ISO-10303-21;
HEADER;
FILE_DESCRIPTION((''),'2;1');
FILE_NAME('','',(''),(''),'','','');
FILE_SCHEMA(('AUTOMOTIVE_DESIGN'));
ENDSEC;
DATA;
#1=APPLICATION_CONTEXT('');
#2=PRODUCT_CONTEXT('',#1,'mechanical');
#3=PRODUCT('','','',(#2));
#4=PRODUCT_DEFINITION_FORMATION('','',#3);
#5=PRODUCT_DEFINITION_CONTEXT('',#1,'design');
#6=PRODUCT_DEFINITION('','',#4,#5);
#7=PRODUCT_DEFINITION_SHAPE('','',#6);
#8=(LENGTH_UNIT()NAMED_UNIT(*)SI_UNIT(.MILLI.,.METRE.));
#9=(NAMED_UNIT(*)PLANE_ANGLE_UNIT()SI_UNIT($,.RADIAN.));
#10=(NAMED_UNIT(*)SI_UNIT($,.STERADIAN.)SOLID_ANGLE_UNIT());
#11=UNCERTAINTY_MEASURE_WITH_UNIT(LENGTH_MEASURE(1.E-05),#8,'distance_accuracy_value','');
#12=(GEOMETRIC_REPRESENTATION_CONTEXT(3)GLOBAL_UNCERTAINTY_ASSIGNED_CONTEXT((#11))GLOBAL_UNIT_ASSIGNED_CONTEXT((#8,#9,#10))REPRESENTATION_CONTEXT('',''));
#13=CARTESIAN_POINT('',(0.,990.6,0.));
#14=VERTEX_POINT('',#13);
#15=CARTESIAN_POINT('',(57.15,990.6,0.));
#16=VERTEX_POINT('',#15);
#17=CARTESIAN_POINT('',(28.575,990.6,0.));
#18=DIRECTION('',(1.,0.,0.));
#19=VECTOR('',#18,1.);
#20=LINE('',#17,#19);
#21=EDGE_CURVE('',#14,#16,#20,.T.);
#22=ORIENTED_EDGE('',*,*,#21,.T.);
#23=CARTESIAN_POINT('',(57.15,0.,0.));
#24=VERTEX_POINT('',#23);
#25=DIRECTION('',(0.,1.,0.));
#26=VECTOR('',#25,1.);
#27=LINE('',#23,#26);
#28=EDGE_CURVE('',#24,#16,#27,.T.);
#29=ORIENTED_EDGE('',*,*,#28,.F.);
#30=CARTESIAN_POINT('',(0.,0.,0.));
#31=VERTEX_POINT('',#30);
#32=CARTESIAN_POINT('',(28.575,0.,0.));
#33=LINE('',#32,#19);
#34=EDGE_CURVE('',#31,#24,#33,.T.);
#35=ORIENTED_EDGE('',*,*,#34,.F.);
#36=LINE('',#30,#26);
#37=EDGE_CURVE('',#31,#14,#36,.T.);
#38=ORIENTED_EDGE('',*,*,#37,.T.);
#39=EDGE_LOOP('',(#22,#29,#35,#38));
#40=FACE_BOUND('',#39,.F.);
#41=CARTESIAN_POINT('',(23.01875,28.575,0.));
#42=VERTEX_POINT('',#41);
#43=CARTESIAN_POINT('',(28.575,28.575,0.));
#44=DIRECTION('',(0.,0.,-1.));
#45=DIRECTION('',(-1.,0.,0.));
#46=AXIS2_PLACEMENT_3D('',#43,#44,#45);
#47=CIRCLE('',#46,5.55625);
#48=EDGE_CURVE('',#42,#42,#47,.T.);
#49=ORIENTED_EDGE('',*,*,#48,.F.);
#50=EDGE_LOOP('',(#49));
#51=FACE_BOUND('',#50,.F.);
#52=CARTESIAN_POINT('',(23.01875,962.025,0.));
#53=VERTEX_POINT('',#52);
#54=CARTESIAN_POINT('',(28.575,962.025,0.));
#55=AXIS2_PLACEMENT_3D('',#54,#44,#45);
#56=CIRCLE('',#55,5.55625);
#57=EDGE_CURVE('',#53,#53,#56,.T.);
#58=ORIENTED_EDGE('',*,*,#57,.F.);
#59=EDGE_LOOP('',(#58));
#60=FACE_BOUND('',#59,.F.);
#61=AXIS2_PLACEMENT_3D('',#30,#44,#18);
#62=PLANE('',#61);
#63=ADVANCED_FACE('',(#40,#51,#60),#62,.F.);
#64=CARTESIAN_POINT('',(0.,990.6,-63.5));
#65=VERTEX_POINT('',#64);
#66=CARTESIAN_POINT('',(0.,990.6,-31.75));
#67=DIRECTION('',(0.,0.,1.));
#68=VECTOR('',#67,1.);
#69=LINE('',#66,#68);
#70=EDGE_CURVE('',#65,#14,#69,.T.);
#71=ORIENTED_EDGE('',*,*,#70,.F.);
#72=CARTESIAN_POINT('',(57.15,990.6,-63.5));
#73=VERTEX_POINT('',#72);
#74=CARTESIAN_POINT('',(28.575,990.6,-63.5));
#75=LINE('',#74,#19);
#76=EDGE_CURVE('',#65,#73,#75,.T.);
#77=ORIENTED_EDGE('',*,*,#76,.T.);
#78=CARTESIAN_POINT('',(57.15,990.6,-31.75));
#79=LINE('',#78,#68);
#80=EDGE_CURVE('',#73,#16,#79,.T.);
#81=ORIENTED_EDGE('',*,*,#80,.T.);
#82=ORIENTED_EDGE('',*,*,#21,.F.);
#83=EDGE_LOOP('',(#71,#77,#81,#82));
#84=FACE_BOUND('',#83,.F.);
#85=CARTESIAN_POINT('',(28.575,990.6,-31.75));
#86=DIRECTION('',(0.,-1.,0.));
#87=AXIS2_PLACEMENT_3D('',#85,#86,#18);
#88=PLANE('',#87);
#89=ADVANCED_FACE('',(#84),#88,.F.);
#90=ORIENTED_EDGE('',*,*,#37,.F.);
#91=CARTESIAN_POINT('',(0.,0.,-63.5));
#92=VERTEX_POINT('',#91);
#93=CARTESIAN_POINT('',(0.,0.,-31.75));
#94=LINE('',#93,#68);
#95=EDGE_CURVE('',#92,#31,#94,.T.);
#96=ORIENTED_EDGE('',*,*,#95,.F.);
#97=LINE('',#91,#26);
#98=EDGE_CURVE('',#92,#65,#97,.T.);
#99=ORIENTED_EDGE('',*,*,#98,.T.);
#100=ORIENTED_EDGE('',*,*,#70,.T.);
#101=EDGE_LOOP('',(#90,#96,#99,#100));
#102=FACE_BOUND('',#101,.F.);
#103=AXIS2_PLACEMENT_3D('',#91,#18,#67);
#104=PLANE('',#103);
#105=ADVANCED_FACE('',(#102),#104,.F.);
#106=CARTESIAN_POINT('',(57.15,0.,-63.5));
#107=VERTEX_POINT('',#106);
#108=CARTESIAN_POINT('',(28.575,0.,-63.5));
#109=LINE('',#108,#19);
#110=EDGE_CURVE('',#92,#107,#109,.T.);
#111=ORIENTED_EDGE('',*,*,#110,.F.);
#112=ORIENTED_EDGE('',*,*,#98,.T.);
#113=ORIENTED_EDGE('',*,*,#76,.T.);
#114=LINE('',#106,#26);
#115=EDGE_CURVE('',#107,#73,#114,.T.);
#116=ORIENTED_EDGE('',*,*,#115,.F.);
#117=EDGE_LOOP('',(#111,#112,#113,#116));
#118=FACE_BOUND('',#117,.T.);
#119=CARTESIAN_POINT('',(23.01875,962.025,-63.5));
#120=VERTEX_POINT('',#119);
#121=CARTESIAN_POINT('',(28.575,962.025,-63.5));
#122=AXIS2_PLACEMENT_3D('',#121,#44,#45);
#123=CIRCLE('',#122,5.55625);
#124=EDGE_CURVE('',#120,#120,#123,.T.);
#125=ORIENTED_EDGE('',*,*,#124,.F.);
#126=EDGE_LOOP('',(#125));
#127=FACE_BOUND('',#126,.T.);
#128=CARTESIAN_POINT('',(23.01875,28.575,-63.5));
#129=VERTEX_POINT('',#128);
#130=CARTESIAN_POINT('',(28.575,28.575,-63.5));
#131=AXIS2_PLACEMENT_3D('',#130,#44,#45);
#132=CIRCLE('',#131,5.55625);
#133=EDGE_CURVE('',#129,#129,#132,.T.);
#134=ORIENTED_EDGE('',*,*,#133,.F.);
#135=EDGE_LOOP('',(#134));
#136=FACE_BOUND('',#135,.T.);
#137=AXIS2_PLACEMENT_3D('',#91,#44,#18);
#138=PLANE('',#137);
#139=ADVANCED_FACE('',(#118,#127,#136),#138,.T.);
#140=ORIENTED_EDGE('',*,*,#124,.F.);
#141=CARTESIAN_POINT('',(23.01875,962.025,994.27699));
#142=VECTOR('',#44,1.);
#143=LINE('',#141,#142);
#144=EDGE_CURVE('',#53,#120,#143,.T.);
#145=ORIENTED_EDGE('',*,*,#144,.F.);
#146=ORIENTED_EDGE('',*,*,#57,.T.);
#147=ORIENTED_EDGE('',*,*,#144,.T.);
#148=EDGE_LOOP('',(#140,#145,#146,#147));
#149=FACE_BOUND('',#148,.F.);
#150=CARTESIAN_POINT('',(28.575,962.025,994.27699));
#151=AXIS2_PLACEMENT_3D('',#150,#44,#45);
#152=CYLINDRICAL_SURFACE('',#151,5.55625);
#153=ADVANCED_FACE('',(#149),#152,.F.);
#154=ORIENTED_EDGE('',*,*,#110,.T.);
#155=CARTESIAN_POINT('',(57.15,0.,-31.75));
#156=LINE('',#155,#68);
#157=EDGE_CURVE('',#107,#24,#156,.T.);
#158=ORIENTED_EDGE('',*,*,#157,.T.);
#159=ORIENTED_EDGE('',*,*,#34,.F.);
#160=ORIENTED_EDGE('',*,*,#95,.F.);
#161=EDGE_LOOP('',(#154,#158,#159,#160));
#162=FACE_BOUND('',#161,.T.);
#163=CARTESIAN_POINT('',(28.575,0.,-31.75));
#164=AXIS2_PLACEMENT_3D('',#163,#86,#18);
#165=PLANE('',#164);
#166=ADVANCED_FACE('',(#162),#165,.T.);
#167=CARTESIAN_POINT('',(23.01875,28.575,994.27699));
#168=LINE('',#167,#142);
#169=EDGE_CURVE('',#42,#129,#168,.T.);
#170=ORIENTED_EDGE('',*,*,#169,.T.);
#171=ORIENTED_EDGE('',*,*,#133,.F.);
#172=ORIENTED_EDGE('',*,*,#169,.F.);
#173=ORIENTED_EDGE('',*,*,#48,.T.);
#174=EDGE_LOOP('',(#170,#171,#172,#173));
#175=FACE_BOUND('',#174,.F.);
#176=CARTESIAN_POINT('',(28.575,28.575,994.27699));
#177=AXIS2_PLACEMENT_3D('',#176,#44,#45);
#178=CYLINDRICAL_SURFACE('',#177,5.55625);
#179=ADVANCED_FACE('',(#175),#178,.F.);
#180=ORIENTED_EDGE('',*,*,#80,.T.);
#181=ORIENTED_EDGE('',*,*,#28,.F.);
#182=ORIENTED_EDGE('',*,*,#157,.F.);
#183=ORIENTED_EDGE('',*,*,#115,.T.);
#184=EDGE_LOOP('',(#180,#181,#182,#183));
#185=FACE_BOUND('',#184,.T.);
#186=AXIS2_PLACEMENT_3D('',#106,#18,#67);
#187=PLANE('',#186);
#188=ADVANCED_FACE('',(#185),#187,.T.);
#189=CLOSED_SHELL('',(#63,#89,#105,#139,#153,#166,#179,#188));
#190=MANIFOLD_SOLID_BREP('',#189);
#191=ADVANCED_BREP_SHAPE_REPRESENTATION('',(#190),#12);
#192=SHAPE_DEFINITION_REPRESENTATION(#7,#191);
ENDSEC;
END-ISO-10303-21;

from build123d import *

# Parameters (mm, degrees)
F0_W     = 57.15
F0_H     = 63.5
F1_DEPTH = 990.6
F3_D     = 11.1125


with BuildPart() as f1:
    # F0 (on Front) → F1 (new body)
    with BuildSketch(Plane.XZ):
        with Locations((28.575, -31.75)):
            Rectangle(F0_W, F0_H)
    extrude(amount=-F1_DEPTH)

    # F3 (through all)
    with Locations(Plane.XY):
        with Locations((28.575, 962.025), (28.575, 28.575)):
            Hole(F3_D / 2)


solid = f1.part
